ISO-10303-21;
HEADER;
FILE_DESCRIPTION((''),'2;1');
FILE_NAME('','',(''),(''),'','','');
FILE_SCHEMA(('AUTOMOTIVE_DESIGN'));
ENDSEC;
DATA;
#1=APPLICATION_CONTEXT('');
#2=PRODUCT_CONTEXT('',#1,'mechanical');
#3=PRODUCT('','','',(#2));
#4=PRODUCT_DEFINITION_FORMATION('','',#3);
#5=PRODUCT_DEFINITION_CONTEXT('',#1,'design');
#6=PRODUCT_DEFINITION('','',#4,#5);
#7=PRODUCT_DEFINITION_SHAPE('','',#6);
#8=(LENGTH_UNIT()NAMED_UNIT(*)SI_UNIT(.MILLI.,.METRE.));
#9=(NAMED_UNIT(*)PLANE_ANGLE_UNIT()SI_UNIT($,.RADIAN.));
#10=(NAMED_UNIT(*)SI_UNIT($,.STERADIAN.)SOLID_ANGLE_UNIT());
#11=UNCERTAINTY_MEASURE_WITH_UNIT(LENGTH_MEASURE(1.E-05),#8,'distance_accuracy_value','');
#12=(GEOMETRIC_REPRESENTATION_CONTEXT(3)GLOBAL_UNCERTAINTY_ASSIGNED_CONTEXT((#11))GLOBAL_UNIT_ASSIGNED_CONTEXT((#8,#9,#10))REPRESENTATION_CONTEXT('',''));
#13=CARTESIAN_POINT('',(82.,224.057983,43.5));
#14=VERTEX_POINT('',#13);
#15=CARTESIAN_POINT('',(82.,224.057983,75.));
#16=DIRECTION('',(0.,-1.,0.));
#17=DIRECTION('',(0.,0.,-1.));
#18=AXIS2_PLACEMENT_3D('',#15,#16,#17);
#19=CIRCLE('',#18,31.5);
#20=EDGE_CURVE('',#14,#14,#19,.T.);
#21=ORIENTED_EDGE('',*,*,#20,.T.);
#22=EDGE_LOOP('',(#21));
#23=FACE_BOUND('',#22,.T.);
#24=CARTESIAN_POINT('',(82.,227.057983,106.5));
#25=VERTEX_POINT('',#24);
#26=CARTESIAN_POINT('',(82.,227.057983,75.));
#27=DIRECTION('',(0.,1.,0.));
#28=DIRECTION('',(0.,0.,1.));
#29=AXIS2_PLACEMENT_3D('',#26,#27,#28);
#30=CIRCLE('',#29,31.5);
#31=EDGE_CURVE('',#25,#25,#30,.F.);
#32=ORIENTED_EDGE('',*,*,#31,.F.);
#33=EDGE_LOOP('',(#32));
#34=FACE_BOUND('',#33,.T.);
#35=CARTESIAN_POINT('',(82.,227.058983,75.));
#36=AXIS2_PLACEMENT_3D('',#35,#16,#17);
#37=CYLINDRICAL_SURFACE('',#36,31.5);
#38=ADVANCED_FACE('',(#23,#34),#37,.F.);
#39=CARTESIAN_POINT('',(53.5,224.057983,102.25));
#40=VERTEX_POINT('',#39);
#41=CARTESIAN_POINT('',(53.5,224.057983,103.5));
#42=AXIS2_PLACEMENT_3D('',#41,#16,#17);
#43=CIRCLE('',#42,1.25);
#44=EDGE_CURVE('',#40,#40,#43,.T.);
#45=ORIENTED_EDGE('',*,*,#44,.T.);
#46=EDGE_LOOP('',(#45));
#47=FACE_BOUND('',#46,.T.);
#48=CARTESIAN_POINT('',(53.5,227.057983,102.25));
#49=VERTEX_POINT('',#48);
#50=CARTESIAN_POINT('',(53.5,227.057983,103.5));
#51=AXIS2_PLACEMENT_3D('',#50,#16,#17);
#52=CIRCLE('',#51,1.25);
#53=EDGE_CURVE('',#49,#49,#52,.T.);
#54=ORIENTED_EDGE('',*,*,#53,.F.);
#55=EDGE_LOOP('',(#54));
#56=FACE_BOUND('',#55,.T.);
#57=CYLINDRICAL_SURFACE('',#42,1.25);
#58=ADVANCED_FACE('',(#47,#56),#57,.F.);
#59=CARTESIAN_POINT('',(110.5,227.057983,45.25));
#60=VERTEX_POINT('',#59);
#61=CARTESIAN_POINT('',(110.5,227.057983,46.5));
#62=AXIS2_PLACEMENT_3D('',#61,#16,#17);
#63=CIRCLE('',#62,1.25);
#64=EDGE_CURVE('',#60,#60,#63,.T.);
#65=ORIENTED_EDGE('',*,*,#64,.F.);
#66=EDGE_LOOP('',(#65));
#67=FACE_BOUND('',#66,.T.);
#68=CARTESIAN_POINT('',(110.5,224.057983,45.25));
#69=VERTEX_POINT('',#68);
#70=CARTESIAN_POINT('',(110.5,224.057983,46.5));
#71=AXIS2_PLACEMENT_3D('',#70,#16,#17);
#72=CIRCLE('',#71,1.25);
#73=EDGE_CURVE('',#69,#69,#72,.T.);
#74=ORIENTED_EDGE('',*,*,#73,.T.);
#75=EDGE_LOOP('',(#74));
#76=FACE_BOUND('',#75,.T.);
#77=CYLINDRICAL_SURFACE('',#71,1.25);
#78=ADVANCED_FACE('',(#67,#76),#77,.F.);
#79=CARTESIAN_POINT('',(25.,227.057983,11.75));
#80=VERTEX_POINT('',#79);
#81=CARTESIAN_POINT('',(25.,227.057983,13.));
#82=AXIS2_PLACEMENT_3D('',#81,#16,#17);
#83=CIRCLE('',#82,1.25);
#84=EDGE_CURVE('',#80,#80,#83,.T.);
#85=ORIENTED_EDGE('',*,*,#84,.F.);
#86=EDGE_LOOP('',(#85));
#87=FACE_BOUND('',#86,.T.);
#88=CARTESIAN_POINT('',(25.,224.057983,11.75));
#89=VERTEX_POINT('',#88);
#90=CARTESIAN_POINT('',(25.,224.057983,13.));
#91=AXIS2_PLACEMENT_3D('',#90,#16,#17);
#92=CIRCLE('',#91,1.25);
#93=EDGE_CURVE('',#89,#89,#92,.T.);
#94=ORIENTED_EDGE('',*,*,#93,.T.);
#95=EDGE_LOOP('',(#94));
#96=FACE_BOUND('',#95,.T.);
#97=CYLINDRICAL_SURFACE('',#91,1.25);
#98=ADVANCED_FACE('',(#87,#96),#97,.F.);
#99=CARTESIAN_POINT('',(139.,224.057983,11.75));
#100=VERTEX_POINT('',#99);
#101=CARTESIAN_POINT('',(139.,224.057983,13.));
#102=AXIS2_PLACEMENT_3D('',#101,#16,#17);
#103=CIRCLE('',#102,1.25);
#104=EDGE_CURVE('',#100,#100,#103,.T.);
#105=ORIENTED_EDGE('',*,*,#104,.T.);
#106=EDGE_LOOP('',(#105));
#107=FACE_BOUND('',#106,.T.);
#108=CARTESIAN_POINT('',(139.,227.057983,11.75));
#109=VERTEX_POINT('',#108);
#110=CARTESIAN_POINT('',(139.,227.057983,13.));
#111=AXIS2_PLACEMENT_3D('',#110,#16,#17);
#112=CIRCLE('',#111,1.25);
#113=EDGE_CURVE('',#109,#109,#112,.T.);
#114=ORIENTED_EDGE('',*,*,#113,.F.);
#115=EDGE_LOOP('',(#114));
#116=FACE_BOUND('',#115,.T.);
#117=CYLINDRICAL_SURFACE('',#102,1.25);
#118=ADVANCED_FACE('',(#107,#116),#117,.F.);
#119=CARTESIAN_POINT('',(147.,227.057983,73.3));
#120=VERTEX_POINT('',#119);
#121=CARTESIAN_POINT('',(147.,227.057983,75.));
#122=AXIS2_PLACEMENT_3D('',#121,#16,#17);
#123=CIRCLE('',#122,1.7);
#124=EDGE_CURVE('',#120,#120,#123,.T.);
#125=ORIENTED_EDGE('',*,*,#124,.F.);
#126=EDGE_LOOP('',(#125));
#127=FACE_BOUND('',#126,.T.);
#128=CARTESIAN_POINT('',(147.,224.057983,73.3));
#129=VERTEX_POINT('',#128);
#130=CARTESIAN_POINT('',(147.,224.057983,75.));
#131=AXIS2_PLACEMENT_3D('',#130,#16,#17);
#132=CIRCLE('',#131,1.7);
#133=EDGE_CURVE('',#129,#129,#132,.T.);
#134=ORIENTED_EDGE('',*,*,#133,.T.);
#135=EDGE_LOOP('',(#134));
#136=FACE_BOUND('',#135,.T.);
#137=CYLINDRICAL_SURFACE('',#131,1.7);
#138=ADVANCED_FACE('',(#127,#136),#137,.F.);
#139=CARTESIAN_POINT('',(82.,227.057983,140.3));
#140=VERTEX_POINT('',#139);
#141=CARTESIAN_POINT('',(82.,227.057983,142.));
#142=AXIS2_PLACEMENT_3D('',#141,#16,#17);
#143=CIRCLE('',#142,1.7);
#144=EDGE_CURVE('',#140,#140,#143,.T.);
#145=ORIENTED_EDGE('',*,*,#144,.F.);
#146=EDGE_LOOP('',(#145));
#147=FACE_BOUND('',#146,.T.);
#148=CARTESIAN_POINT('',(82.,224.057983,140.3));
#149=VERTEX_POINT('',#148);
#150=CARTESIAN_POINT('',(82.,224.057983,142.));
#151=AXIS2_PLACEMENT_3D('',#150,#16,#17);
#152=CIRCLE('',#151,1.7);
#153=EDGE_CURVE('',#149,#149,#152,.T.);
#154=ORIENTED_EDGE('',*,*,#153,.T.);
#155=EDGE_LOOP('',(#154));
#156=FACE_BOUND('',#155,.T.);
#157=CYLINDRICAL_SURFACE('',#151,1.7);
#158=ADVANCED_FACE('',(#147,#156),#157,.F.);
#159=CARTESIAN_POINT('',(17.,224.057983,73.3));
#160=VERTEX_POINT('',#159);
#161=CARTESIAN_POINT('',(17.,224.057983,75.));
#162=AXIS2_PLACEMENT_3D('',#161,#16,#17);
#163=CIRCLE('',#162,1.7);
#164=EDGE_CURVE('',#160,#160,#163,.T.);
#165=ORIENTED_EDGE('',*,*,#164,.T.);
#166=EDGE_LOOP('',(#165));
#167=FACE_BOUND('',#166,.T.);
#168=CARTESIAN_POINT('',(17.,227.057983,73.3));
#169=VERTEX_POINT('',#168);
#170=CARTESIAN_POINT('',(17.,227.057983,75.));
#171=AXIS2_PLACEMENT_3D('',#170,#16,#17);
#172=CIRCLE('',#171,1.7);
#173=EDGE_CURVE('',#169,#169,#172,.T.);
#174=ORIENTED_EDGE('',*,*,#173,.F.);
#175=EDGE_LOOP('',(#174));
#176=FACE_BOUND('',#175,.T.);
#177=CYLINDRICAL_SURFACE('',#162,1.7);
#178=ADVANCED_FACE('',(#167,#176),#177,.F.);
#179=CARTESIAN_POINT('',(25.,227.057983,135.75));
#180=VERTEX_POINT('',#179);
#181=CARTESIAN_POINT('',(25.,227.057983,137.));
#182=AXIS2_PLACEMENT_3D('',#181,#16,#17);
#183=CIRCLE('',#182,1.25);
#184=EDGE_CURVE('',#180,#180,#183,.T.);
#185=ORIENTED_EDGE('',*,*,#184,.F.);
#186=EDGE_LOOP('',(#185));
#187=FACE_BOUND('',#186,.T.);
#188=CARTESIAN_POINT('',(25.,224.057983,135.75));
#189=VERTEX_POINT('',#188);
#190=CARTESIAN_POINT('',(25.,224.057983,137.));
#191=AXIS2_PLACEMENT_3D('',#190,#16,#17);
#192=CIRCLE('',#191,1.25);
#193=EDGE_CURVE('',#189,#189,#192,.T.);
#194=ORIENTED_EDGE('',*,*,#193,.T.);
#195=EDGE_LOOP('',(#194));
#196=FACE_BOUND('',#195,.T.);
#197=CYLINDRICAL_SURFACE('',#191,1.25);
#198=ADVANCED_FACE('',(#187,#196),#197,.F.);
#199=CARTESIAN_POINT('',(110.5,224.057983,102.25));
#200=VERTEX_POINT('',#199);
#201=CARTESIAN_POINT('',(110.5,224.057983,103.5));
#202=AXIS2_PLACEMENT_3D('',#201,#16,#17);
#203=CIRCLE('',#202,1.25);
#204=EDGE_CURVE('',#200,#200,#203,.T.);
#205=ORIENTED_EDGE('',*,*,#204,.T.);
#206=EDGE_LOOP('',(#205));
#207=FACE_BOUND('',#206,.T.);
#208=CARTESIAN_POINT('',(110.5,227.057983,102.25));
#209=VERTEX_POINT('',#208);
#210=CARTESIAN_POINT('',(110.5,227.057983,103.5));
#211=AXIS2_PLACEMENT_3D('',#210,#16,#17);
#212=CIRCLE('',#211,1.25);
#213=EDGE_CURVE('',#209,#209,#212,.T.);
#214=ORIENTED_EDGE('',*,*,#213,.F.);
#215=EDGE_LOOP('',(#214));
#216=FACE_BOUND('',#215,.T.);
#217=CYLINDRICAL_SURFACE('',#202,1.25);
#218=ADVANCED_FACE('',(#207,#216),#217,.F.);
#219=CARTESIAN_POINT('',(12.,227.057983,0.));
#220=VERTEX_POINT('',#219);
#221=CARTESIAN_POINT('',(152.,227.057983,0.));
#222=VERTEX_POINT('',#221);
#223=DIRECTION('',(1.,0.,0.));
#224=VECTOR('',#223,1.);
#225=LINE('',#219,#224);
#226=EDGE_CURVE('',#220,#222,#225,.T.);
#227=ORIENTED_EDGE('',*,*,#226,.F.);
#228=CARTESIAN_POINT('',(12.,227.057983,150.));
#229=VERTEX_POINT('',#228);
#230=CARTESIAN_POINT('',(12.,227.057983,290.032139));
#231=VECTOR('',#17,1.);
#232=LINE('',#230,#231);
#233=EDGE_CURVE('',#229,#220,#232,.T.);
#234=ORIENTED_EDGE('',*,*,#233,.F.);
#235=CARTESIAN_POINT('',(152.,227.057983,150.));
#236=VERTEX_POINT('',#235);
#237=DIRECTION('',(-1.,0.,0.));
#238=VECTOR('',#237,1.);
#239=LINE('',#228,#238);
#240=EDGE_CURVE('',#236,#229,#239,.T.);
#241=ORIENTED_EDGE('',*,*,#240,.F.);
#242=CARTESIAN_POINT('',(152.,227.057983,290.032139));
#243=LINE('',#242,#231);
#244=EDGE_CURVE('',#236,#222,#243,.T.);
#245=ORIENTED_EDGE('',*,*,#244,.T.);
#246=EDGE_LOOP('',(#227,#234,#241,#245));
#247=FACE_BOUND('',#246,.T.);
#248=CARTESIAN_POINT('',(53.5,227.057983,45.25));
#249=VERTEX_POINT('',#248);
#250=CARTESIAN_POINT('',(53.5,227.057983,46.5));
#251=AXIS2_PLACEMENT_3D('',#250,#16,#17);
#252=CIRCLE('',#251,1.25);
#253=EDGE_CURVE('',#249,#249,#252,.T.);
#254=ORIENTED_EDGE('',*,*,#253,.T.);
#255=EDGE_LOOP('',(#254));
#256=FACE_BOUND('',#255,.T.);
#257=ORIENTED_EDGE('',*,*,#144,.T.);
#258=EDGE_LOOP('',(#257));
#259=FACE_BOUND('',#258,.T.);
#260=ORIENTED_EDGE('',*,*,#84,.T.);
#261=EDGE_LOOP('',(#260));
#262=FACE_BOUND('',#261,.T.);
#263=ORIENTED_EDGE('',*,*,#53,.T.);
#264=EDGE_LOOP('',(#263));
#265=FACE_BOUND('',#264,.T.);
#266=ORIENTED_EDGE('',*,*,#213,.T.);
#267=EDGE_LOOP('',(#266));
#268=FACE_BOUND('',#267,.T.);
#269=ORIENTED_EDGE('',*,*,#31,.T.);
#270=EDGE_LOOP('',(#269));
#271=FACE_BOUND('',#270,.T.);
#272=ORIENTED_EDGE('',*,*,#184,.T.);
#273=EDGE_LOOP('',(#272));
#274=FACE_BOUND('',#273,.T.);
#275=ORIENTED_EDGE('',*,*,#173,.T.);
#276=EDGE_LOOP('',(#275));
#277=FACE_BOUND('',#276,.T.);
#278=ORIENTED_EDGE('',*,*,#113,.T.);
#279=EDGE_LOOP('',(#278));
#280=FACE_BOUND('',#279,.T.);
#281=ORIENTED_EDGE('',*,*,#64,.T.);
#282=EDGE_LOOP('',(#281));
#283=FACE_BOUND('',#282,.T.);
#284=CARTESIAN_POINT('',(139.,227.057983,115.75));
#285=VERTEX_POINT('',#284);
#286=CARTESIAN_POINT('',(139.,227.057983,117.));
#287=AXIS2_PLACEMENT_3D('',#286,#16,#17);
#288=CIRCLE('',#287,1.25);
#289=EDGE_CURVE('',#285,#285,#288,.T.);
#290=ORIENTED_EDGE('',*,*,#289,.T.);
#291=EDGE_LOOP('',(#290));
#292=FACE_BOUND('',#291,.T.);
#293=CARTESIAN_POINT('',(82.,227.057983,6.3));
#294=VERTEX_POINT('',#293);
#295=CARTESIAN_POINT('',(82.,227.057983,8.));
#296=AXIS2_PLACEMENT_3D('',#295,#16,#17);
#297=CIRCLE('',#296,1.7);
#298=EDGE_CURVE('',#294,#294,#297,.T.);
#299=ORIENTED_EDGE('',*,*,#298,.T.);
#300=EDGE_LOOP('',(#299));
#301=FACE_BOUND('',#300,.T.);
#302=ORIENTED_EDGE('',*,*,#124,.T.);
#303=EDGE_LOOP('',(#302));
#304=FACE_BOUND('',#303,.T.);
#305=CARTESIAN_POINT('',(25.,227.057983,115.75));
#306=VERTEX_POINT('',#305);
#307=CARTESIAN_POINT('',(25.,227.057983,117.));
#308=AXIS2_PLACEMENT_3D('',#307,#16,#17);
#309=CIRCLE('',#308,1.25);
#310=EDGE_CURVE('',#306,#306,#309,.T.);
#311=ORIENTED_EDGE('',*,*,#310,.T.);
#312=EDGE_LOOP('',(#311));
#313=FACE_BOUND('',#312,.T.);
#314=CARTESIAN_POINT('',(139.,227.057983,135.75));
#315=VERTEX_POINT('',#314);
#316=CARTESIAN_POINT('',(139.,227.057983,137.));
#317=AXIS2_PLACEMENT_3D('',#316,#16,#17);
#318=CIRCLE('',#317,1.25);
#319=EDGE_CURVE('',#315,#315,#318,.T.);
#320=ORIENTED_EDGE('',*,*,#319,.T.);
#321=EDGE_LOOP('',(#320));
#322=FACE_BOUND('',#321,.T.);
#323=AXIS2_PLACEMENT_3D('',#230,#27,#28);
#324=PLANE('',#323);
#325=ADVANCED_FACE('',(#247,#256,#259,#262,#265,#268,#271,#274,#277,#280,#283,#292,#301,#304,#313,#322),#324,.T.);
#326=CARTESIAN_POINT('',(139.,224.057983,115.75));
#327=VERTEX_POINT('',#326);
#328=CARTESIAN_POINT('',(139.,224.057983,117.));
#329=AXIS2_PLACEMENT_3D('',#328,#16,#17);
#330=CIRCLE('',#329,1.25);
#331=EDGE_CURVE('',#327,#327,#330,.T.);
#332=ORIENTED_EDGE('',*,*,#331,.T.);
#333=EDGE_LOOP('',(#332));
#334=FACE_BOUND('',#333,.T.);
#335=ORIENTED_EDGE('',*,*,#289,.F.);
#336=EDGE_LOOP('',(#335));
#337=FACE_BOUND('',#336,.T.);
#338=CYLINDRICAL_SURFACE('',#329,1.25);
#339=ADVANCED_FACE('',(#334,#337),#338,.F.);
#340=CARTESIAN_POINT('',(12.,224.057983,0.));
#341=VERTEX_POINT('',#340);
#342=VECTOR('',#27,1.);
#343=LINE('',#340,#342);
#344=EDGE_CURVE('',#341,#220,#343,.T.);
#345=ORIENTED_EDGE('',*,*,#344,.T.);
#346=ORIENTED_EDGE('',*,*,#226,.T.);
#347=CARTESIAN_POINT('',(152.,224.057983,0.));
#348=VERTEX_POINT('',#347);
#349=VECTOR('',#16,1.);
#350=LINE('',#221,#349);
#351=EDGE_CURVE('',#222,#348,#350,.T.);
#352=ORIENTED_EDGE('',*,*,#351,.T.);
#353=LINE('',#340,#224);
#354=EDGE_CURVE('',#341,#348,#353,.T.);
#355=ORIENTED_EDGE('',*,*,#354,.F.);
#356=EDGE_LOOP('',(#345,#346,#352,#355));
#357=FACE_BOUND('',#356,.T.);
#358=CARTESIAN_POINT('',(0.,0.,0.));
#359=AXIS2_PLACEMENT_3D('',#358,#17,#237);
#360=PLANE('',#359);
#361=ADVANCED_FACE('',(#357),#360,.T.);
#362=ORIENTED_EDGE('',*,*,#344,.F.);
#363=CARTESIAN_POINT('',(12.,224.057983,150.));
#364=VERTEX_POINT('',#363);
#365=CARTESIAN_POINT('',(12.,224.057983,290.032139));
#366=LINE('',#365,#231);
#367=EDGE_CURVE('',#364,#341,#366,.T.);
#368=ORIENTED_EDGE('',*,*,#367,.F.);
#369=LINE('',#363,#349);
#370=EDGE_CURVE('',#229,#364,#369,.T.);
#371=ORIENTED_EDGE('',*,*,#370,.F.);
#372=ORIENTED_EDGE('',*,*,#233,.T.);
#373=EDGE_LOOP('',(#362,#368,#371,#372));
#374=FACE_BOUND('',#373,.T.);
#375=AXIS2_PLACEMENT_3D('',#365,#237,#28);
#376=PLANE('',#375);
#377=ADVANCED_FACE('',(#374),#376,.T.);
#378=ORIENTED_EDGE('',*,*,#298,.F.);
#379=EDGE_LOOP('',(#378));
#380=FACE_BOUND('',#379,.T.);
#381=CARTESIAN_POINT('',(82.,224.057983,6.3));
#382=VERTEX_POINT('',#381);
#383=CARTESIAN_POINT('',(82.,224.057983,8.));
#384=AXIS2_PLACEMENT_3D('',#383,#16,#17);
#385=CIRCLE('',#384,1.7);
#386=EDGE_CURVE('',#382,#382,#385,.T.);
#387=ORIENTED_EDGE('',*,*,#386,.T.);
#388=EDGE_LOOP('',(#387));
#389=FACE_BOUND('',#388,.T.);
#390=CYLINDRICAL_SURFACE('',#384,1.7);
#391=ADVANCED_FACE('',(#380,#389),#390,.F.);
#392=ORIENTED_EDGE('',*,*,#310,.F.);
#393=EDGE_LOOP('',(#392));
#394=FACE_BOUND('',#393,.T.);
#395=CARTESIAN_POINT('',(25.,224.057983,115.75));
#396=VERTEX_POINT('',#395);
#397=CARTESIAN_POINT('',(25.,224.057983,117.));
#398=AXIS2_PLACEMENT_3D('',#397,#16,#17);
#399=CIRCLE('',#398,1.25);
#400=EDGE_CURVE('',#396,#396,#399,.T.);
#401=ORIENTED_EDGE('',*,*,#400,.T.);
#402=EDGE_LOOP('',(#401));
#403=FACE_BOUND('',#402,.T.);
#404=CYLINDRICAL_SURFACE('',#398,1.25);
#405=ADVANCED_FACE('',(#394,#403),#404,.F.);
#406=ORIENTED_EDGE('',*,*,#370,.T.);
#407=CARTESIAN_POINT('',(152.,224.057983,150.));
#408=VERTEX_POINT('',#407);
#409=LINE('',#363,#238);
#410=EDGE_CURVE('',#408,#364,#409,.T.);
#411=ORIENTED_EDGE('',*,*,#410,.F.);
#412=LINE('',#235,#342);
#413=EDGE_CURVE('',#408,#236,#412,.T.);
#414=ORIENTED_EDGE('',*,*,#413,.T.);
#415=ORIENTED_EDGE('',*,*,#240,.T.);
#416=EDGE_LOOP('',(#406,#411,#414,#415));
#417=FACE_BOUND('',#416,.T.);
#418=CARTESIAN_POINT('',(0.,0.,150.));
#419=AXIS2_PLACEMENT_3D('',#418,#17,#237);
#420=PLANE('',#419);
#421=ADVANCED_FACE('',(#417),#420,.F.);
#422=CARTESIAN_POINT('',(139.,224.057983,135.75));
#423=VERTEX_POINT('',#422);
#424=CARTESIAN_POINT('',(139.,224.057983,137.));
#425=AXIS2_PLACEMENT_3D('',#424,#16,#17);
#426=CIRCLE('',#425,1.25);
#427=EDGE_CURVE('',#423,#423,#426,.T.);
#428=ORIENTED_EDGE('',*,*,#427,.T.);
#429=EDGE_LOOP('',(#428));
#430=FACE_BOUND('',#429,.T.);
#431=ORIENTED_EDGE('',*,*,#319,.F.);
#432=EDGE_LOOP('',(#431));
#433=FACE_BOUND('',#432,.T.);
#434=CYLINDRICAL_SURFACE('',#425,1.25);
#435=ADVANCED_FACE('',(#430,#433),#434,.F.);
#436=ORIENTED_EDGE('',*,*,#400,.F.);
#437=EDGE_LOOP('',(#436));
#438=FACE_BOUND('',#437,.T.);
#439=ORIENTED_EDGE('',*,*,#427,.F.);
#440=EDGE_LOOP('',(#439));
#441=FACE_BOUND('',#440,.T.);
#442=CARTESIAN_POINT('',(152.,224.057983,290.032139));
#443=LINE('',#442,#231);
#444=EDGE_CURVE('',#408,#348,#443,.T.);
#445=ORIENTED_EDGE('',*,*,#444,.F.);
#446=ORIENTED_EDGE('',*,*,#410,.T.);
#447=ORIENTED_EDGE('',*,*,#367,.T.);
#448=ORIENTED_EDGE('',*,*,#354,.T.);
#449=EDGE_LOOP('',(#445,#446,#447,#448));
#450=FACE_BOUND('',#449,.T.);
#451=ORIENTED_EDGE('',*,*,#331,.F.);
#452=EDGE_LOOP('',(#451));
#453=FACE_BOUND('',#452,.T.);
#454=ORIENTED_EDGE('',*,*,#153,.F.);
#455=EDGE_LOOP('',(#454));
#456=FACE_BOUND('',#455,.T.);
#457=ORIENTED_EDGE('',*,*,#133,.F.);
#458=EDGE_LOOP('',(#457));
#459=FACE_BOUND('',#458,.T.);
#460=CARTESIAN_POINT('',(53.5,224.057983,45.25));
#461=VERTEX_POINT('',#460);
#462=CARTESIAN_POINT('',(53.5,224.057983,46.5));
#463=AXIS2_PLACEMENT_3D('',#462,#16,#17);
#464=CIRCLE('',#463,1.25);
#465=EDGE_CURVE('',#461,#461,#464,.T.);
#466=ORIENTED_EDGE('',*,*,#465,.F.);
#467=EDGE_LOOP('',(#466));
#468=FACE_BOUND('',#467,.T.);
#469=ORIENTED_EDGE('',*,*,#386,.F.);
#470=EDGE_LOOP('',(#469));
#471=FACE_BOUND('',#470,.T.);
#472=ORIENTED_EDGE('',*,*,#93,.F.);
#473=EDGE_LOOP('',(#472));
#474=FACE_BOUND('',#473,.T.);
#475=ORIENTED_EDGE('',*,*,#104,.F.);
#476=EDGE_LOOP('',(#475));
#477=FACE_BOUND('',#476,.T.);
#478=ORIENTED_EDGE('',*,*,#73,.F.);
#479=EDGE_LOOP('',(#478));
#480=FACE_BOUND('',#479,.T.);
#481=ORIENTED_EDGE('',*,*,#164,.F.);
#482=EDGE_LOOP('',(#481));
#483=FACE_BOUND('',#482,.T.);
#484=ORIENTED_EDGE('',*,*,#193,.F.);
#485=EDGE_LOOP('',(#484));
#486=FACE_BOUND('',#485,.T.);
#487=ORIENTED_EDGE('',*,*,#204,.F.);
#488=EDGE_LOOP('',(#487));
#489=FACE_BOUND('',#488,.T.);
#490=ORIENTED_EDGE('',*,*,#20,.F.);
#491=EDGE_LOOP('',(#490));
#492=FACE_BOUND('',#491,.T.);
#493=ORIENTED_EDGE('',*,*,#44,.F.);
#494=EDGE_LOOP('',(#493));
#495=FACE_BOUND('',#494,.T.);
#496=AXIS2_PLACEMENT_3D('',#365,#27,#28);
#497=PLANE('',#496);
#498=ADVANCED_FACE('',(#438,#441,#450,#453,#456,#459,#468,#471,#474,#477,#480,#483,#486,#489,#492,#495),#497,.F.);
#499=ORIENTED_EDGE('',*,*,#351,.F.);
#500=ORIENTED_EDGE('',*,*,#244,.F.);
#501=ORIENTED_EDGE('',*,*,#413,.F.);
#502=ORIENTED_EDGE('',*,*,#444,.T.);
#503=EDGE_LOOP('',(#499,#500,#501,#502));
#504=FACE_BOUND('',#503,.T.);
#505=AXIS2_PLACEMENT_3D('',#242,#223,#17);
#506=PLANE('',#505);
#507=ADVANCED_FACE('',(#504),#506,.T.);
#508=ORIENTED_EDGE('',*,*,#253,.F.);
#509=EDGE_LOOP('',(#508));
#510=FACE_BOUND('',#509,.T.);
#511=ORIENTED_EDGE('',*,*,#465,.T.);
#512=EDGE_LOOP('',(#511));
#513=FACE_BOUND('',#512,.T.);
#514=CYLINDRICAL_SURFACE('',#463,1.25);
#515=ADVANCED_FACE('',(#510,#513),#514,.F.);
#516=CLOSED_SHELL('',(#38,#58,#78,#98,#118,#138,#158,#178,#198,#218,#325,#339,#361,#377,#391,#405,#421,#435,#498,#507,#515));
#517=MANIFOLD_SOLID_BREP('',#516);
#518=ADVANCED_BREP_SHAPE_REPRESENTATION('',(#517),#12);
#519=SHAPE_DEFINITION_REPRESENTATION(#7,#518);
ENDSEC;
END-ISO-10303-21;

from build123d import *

# Parameters (mm, degrees)
SKETCH_1_W           = 140
SKETCH_1_H           = 3
EXTRUDE_1_DEPTH      = 150
CUT_EXTRUDE_1_REACH  = 5
SKETCH_2_R           = 31.5
HOLE_WIZARD_M3_1_D   = 2.5
HOLE_WIZARD_M3_1_2_D = 3.4
HOLE_WIZARD_M3_2_D   = 2.5


with BuildPart() as part:
    # 草图1 → 拉伸-薄壁1 (new body)
    with BuildSketch(Plane.XY):
        with Locations((82, 225.557982809)):
            Rectangle(SKETCH_1_W, SKETCH_1_H)
    extrude(amount=EXTRUDE_1_DEPTH)

    # 草图2 → 切除-拉伸1 (cut, up to next)
    with BuildSketch(Plane.XZ.offset(-224.057982809), mode=Mode.PRIVATE) as cut_extrude_1_sk1:
        with Locations((82, 75)):
            Circle(SKETCH_2_R)
    cut_extrude_1_tool1 = extrude(cut_extrude_1_sk1.sketch, amount=-CUT_EXTRUDE_1_REACH, mode=Mode.PRIVATE) & part.part
    add(cut_extrude_1_tool1.solids().sort_by_distance((82, 224.057983, 75))[0], mode=Mode.SUBTRACT)

    # Hole Wizard M3 _1 (through all)
    with Locations(Plane(origin=(0, 224.057982809, 0), x_dir=(-1, 0, 0), z_dir=(0, -1, 0))):
        with Locations((-53.5, -103.5), (-53.5, -46.5), (-110.5, -46.5), (-110.5, -103.5)):
            Hole(HOLE_WIZARD_M3_1_D / 2)

    # Hole Wizard M3 _1 2 (through all)
    with Locations(Plane(origin=(0, 224.057982809, 0), x_dir=(-1, 0, 0), z_dir=(0, -1, 0))):
        with Locations((-82, -142), (-147, -75), (-82, -8), (-17, -75)):
            Hole(HOLE_WIZARD_M3_1_2_D / 2)

    # M3 螺纹孔的螺纹孔钻头2 (through all)
    with Locations(Plane(origin=(0, 224.057982809, 0), x_dir=(-1, 0, 0), z_dir=(0, -1, 0))):
        with Locations((-139, -137), (-139, -117), (-139, -13), (-25, -137), (-25, -117), (-25, -13)):
            Hole(HOLE_WIZARD_M3_2_D / 2)


solid = part.part
